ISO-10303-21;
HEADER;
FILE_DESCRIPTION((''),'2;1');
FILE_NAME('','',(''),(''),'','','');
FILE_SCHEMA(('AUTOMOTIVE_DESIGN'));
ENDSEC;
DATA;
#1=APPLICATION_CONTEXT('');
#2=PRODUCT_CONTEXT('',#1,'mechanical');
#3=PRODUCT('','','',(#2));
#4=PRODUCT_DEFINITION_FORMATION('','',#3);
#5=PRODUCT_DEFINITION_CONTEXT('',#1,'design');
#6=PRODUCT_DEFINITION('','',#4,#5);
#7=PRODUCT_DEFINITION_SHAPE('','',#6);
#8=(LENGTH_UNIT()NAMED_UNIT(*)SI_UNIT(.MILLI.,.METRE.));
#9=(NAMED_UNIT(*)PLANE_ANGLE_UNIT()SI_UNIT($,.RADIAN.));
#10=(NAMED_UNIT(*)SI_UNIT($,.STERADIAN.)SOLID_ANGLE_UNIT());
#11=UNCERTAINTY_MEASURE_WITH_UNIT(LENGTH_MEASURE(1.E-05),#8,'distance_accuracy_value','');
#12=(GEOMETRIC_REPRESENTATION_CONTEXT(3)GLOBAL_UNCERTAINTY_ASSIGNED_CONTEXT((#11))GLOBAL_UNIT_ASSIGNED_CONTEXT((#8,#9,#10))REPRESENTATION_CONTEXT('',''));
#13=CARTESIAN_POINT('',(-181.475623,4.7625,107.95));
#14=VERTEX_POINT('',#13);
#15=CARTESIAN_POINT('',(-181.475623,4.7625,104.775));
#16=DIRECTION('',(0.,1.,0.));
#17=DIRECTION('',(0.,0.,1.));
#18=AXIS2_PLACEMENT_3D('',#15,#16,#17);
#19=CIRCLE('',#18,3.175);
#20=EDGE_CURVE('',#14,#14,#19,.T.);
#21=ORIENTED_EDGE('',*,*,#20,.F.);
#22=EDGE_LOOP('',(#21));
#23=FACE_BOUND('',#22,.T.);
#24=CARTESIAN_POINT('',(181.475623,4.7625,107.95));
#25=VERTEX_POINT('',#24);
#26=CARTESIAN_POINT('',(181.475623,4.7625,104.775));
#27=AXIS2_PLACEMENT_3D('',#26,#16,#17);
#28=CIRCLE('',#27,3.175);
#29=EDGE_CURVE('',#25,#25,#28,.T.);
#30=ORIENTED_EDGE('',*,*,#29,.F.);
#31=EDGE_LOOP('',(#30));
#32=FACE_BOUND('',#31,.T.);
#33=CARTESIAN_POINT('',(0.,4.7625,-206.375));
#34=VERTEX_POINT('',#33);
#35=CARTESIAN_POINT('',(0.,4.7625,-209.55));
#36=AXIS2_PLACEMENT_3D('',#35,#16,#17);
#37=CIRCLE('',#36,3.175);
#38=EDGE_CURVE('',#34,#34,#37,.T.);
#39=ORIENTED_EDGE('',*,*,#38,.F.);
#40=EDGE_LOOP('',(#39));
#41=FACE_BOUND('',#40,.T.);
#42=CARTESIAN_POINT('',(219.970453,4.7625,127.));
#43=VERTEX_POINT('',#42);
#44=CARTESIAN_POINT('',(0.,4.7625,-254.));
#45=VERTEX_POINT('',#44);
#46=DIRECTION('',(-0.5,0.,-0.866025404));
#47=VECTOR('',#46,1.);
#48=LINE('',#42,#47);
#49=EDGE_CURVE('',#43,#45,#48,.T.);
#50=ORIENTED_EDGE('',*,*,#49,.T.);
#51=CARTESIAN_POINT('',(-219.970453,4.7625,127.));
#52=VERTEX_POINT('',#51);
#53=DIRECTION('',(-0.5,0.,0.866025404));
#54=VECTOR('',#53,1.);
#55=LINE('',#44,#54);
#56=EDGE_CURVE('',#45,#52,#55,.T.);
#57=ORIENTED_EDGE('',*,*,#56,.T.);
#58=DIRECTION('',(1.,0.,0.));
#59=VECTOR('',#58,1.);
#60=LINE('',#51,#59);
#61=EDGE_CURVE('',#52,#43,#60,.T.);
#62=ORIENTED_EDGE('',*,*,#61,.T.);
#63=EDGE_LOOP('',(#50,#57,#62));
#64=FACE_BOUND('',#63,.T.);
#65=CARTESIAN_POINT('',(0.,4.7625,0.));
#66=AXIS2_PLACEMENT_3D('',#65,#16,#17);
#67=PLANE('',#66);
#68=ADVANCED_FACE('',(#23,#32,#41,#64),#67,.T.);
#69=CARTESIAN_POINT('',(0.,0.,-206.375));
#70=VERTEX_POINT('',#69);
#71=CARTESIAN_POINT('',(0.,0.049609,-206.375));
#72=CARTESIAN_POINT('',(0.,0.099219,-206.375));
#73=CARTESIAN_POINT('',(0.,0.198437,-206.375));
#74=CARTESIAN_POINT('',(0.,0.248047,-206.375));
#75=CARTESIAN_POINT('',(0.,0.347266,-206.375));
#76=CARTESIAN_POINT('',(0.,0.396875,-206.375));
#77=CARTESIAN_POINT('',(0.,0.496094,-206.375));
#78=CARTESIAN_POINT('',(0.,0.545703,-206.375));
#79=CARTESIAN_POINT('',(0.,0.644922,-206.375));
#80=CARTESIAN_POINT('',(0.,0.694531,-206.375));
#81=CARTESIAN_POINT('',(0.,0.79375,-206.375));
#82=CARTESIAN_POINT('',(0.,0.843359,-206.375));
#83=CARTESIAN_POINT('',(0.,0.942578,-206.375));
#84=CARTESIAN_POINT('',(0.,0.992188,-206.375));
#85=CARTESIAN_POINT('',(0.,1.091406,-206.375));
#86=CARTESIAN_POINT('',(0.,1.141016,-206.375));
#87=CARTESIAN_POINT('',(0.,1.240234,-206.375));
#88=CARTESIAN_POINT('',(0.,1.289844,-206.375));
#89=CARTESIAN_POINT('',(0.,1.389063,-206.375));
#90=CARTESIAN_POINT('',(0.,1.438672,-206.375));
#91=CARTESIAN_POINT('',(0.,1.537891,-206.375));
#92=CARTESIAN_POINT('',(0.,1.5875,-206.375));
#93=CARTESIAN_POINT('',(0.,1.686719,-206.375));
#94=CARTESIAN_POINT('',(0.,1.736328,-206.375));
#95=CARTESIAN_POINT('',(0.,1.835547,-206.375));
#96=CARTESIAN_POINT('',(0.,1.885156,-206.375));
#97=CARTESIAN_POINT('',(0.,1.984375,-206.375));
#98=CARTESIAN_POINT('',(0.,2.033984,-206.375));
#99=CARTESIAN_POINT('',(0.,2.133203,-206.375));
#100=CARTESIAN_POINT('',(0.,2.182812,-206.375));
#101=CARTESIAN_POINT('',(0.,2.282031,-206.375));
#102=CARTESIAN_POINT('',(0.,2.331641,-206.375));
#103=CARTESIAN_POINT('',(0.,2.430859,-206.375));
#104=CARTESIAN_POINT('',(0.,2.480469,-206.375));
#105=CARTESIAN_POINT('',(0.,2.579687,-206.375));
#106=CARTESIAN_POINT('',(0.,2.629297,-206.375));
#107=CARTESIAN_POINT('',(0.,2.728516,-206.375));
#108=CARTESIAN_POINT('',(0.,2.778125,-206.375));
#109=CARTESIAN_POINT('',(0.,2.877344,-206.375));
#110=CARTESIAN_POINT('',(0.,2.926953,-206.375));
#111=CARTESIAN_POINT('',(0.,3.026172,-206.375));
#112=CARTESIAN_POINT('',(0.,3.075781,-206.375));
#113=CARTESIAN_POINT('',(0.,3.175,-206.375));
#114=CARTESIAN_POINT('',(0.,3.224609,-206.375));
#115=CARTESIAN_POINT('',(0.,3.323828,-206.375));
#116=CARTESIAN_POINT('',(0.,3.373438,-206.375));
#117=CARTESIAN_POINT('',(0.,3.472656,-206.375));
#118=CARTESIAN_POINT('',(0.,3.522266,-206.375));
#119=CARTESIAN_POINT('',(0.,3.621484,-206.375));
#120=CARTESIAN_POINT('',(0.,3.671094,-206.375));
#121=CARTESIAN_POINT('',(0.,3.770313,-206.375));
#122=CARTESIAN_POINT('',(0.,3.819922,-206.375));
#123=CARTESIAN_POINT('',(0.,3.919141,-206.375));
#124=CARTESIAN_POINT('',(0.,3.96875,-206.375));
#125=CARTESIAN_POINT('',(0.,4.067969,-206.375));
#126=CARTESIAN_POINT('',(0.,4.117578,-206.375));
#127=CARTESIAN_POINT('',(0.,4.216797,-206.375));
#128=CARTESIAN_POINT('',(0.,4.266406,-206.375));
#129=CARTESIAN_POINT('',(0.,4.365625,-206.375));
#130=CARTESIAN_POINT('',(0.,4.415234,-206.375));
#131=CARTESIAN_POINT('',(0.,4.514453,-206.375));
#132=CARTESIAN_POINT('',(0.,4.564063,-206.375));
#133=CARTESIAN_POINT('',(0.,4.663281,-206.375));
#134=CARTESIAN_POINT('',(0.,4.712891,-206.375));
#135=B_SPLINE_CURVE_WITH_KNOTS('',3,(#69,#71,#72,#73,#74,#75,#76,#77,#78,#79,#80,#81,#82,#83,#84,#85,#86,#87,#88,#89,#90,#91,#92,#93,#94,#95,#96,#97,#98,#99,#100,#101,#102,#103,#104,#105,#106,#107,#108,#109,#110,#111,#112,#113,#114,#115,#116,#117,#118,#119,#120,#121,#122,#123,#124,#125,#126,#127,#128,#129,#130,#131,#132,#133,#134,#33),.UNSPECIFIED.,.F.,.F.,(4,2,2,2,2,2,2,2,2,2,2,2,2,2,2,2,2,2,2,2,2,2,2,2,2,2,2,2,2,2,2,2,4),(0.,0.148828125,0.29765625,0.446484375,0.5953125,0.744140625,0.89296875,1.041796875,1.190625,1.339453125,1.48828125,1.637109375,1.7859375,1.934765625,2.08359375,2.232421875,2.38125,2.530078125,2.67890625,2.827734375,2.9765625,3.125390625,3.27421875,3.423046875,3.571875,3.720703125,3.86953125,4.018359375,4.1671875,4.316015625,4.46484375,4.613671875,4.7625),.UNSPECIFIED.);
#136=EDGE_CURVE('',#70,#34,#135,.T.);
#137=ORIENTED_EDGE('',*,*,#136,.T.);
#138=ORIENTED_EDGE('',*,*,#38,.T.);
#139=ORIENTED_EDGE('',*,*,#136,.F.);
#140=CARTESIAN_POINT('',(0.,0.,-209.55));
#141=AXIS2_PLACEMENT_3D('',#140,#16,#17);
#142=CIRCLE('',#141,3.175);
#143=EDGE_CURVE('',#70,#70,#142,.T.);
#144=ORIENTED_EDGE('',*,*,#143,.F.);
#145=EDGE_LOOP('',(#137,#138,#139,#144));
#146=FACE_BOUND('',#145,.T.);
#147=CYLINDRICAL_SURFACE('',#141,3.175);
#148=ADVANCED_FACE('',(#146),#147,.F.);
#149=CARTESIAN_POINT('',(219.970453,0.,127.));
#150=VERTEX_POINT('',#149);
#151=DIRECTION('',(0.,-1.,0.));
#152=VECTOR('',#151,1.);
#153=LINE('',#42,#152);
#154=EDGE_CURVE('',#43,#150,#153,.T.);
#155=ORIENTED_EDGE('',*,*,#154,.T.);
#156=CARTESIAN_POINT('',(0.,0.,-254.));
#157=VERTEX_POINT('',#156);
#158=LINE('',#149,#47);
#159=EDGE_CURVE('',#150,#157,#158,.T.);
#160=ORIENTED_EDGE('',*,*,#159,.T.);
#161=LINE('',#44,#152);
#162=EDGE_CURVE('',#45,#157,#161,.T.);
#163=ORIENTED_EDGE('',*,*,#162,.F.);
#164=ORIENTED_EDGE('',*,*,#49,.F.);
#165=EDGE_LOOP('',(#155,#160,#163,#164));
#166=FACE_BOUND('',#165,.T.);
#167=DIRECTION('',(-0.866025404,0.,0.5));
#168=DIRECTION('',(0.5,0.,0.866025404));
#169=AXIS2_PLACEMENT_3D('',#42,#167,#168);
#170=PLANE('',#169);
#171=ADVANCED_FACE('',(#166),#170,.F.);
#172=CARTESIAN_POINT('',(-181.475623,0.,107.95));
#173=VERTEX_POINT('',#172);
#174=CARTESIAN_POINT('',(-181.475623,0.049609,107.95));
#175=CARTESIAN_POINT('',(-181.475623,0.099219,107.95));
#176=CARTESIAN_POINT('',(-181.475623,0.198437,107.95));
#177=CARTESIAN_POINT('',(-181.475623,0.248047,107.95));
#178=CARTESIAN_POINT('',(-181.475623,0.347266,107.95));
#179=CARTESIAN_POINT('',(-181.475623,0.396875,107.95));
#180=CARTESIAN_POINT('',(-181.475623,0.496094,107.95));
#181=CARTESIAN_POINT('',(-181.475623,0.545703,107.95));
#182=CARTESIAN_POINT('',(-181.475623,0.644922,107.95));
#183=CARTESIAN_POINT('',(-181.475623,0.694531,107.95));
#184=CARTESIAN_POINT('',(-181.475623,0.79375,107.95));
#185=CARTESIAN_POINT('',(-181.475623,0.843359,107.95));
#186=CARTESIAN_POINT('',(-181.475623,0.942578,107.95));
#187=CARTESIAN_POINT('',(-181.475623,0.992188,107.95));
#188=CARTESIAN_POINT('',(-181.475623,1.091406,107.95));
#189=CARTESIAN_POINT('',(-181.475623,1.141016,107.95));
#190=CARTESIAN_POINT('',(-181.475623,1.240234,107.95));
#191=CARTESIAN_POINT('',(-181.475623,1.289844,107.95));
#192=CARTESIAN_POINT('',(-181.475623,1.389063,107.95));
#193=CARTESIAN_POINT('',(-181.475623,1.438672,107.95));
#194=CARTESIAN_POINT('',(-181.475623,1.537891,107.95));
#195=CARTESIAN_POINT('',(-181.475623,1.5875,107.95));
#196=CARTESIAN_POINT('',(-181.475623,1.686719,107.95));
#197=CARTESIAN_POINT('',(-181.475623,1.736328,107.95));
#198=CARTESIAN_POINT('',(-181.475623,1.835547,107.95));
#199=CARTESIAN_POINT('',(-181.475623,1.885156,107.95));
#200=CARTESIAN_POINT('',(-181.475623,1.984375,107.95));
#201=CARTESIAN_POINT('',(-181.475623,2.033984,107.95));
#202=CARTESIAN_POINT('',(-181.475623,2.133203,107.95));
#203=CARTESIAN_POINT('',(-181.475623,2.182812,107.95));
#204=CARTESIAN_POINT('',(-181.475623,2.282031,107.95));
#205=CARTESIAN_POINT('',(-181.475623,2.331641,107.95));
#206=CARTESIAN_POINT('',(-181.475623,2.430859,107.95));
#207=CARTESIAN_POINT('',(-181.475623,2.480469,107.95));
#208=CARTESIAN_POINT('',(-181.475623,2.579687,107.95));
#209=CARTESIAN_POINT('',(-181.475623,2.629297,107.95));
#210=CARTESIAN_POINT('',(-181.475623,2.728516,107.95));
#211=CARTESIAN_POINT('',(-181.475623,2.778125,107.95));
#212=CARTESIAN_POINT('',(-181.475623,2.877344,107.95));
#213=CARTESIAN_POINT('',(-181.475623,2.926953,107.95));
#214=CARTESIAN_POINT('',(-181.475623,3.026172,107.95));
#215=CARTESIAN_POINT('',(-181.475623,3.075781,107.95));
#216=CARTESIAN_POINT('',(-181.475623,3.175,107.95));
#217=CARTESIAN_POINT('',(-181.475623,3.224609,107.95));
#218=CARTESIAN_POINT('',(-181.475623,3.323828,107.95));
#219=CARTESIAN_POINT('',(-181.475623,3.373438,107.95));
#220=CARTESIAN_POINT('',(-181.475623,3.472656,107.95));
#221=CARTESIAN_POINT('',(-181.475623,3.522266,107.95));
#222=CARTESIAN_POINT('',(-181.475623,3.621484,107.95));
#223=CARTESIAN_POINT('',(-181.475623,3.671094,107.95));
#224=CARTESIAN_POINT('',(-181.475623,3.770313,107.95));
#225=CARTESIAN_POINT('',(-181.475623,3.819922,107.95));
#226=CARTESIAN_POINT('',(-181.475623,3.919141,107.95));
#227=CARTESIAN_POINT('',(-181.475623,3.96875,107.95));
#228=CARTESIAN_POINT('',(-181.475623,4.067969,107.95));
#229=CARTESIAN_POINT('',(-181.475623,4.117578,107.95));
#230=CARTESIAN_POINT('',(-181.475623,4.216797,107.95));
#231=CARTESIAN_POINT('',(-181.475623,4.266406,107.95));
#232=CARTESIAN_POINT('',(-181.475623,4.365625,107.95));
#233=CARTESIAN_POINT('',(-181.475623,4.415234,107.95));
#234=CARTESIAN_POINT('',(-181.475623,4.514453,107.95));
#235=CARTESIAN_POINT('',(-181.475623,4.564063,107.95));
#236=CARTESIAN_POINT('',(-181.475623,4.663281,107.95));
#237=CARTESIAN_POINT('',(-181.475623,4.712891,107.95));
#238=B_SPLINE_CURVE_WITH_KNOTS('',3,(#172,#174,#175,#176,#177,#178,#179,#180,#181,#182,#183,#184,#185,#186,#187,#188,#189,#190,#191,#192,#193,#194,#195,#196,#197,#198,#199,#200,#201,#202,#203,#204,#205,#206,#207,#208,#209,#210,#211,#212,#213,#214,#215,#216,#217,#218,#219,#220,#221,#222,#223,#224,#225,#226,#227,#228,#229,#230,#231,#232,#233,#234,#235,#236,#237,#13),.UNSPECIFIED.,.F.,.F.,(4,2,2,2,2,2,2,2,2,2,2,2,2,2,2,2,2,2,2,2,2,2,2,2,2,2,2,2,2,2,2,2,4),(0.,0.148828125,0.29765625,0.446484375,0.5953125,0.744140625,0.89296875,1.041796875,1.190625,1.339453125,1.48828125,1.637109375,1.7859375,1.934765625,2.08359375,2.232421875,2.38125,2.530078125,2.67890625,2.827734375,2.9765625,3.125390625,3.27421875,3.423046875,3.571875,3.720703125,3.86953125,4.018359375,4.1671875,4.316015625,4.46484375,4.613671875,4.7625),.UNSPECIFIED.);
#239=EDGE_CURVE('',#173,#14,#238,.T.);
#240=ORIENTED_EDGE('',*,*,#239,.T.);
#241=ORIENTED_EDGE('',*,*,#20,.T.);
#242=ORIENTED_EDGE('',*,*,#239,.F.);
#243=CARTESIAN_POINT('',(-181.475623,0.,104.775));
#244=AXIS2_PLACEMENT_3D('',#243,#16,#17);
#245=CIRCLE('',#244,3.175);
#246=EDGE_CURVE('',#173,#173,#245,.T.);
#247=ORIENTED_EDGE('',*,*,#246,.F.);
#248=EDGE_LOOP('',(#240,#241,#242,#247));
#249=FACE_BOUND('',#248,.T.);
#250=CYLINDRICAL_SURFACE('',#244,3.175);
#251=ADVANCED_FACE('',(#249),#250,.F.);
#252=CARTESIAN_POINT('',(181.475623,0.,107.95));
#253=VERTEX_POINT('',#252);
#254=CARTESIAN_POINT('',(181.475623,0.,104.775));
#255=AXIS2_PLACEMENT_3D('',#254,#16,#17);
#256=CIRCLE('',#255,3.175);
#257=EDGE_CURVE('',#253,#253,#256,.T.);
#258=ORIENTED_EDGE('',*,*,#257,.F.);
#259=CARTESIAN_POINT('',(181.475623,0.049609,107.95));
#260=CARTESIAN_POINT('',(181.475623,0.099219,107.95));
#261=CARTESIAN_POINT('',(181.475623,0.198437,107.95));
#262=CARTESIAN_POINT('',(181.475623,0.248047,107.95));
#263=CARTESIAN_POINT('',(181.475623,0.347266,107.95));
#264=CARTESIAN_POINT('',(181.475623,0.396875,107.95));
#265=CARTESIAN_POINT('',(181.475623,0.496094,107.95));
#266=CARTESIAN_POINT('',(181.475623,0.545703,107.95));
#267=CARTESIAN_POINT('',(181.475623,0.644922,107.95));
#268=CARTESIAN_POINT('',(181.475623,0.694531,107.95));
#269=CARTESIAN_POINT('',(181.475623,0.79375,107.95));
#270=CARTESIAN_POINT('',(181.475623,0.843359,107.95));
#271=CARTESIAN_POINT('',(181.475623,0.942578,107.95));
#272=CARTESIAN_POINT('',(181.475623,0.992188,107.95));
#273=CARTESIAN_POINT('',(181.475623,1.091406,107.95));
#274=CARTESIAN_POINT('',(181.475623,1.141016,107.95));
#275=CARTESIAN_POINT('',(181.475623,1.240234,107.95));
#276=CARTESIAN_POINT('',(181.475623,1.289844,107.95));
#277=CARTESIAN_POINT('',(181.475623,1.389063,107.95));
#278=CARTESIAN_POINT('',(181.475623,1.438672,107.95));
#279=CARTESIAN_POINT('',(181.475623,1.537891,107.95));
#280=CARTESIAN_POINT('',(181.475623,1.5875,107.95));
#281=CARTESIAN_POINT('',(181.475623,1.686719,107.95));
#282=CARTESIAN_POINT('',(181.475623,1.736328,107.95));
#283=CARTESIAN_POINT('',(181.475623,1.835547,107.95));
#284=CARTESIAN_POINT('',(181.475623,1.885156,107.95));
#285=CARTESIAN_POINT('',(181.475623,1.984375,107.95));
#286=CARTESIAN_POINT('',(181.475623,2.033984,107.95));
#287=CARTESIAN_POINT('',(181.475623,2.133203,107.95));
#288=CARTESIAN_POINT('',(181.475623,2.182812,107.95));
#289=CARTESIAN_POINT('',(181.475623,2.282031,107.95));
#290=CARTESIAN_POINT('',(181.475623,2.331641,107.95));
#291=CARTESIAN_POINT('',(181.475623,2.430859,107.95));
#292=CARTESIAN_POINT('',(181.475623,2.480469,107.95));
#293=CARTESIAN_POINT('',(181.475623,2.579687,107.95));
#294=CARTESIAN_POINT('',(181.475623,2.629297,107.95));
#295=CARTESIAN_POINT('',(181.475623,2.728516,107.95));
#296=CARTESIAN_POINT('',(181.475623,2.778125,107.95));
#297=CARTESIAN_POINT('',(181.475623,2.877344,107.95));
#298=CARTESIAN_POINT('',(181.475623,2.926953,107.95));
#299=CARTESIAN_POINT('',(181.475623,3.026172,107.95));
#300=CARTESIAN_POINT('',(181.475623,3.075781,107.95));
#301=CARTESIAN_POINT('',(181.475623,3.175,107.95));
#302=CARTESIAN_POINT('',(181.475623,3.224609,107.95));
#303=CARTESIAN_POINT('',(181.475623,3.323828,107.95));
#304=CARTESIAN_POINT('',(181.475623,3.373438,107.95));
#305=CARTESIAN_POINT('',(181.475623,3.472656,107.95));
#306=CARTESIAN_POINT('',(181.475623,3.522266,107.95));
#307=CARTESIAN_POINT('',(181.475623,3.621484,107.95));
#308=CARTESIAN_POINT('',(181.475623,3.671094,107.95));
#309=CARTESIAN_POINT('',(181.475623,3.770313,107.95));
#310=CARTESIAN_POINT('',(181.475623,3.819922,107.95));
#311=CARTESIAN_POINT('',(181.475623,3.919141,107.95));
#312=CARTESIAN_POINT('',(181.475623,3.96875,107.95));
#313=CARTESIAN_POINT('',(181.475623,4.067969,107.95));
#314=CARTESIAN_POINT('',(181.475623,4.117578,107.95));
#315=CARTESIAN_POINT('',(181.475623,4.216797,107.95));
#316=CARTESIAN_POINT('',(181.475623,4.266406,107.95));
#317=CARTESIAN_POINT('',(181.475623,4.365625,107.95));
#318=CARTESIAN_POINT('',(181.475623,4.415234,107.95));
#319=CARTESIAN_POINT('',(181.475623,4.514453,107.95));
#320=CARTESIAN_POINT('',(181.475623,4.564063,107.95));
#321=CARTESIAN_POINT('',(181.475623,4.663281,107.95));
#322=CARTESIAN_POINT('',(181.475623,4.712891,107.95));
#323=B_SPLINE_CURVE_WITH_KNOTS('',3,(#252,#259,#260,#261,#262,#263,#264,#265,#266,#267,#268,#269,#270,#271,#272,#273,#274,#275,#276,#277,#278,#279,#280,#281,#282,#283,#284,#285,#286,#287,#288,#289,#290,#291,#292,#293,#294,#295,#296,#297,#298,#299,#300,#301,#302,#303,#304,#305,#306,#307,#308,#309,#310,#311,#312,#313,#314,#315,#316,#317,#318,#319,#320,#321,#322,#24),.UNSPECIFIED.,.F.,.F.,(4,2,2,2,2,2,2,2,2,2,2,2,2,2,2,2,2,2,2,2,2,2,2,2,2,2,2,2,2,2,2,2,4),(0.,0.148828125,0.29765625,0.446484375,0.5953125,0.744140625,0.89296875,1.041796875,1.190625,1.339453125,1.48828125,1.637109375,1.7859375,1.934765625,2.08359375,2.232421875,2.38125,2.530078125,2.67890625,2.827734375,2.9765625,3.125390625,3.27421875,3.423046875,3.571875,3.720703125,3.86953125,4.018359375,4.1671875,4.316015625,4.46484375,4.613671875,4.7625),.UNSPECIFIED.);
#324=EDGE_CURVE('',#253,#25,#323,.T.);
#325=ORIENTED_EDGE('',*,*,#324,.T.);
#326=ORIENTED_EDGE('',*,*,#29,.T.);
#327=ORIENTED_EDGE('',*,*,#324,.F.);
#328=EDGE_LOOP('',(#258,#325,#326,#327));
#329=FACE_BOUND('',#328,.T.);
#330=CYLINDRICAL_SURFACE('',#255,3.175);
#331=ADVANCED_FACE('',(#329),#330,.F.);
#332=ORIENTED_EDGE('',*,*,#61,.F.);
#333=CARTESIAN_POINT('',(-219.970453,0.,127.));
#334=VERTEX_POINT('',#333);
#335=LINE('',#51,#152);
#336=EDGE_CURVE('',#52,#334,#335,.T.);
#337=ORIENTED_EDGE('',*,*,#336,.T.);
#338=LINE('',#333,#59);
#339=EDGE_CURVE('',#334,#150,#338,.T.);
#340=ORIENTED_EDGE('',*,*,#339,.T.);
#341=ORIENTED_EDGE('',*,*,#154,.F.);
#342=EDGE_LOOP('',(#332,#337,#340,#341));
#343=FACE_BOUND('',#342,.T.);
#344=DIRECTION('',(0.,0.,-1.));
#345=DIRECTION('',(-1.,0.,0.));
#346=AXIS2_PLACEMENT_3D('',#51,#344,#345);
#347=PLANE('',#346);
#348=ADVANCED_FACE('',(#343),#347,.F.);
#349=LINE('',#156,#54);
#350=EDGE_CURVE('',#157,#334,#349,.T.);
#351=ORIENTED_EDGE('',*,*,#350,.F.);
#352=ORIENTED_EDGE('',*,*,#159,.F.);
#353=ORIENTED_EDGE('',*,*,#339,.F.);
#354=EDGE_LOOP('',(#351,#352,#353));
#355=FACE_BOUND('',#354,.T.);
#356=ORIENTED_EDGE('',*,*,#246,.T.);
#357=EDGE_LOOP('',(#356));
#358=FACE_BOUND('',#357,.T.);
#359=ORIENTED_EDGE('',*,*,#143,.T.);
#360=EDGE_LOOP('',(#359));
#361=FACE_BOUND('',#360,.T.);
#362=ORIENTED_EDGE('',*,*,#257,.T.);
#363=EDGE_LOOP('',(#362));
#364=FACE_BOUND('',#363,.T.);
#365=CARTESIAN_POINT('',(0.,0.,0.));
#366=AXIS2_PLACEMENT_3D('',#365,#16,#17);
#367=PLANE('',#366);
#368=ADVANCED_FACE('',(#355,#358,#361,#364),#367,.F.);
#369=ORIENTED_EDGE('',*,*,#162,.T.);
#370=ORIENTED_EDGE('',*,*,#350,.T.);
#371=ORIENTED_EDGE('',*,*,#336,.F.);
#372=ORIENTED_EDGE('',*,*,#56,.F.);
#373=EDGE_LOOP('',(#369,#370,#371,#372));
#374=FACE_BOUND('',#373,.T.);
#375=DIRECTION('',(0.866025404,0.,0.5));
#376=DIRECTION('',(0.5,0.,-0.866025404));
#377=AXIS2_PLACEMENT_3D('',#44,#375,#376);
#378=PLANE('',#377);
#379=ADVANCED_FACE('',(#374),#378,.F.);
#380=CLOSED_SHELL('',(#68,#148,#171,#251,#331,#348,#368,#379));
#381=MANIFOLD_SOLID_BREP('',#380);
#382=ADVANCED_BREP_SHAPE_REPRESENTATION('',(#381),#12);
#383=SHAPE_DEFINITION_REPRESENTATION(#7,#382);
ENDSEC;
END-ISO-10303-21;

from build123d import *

# Parameters (mm, degrees)
BOSS_EXTRUDE1_DEPTH = 4.7625
SKETCH2_R           = 3.175
CUT_EXTRUDE1_DEPTH  = 337.044165857


with BuildPart() as part:
    # Sketch1 → Boss-Extrude1 (new body)
    with BuildSketch(Plane(origin=(0, 0, 0), x_dir=(1, 0, 0), z_dir=(0, 1, 0))):
        Polygon((0, 254), (-219.970452561, -127), (219.970452561, -127), align=None)
    extrude(amount=BOSS_EXTRUDE1_DEPTH)

    # Sketch2 → Cut-Extrude1 (cut, through all)
    with BuildSketch(Plane(origin=(0, 4.7625, 0), x_dir=(1, 0, 0), z_dir=(0, 1, 0))):
        with Locations(Location((0, 209.55, 0), (0, 0, 270))):
            Circle(SKETCH2_R)
        with Locations(Location((-181.475623363, -104.775, 0), (0, 0, 270))):
            Circle(SKETCH2_R)
        with Locations(Location((181.475623363, -104.775, 0), (0, 0, 270))):
            Circle(SKETCH2_R)
    extrude(amount=-CUT_EXTRUDE1_DEPTH, mode=Mode.SUBTRACT)


solid = part.part
